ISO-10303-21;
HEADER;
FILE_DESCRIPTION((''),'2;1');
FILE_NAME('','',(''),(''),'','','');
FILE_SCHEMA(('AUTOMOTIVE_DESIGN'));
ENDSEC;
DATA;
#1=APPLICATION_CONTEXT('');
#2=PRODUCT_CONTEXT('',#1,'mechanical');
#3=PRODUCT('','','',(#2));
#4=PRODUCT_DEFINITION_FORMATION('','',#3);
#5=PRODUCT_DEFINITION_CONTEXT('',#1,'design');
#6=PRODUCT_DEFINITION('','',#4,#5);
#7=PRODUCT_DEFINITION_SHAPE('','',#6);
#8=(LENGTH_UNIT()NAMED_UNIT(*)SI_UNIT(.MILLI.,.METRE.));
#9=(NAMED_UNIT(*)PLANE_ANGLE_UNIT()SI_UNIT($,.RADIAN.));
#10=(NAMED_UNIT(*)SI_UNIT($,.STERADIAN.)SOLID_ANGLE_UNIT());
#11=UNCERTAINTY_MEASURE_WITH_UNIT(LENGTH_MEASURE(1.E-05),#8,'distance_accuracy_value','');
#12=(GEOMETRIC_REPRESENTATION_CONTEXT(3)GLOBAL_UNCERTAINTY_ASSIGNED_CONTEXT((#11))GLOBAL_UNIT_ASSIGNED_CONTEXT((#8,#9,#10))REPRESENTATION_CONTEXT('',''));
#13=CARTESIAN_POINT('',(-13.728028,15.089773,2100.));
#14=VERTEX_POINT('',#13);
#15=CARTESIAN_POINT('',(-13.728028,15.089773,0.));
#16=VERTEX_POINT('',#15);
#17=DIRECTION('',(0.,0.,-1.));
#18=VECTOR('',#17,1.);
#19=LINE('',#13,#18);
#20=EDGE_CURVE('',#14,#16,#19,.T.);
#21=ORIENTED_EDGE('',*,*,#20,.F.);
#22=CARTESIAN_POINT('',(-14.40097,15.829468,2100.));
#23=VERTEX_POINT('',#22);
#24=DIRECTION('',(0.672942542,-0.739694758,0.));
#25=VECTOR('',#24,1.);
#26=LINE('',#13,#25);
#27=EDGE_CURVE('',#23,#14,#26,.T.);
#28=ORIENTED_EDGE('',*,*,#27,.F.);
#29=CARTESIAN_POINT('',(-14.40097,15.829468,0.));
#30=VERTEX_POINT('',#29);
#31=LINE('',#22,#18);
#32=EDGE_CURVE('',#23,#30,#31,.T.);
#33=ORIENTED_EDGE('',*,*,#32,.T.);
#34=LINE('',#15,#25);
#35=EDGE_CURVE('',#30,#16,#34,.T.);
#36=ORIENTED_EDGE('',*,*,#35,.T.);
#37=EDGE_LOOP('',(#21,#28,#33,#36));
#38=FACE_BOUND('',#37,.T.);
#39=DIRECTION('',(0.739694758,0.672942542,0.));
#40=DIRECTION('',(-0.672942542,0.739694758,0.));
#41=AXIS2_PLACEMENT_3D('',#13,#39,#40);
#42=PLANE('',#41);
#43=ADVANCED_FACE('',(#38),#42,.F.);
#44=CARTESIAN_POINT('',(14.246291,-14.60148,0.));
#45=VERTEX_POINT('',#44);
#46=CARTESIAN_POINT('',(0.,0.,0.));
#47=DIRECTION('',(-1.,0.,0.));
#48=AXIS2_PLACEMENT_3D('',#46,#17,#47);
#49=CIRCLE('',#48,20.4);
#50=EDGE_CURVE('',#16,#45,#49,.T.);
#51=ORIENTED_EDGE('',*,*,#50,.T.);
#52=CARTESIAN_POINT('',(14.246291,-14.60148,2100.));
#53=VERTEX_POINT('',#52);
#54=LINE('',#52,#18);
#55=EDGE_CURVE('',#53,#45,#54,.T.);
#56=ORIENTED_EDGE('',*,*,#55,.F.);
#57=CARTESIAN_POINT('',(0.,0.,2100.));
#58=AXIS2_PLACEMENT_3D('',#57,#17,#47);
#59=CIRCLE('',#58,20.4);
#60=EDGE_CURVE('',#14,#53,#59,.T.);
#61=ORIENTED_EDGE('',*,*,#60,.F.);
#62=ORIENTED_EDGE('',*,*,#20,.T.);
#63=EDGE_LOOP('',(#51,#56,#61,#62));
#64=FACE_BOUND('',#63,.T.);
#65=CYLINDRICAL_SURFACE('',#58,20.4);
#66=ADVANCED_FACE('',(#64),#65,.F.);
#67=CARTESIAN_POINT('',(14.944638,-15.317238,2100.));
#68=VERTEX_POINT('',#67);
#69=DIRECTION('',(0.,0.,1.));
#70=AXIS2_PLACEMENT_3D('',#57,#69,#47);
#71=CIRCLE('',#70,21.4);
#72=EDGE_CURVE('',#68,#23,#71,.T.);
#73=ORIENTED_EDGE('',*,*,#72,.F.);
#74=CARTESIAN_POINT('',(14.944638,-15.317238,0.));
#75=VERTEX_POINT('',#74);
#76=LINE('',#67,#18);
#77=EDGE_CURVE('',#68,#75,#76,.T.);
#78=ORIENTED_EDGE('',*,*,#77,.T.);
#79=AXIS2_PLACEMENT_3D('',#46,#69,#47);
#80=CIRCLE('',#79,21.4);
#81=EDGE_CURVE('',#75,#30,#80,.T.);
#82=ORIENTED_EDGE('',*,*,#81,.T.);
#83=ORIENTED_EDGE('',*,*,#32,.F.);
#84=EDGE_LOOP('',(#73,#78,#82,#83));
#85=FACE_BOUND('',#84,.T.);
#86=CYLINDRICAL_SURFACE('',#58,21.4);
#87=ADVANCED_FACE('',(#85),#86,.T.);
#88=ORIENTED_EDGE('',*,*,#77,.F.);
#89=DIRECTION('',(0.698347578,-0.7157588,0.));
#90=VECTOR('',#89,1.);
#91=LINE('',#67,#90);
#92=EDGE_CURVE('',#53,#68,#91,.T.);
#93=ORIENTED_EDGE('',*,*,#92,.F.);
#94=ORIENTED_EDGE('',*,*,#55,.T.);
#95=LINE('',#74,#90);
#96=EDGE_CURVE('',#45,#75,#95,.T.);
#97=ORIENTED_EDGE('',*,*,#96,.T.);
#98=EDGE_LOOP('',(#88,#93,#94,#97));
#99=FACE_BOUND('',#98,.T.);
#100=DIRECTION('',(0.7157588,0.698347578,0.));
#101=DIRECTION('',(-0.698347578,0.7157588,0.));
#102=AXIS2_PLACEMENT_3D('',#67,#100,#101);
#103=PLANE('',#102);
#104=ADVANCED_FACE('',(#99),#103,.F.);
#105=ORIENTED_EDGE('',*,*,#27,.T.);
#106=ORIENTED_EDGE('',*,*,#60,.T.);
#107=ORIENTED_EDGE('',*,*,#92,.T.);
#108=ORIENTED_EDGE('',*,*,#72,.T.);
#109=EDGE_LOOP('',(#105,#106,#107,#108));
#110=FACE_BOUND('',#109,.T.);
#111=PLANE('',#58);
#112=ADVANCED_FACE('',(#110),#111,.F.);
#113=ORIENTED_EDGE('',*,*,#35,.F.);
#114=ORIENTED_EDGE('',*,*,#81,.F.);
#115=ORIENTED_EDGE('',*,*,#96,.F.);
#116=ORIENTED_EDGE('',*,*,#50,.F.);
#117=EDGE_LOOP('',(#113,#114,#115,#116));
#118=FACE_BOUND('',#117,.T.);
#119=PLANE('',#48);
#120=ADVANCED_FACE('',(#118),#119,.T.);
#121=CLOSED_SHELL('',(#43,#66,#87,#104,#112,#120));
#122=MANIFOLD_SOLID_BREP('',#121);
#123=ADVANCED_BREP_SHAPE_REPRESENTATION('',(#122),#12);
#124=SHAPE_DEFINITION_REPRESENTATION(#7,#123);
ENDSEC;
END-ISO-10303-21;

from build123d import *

# Parameters (mm, degrees)
BOSS_EXTRUDE1_DEPTH = 2100


with BuildPart() as part:
    # Sketch1 → Boss-Extrude1 (new body)
    with BuildSketch(Plane.XY):
        with BuildLine():
            Line((14.944638174, -15.317238323), (14.246290596, -14.601479523))
            ThreePointArc((14.246290596, -14.601479523), (14.847887701, 13.989289861), (-13.728027854, 15.089773068))
            Line((-13.728027854, 15.089773068), (-14.400970396, 15.829467826))
            ThreePointArc((-14.400970396, 15.829467826), (15.575725333, 14.675039365), (14.944638174, -15.317238323))
        make_face()
    extrude(amount=BOSS_EXTRUDE1_DEPTH)


solid = part.part
